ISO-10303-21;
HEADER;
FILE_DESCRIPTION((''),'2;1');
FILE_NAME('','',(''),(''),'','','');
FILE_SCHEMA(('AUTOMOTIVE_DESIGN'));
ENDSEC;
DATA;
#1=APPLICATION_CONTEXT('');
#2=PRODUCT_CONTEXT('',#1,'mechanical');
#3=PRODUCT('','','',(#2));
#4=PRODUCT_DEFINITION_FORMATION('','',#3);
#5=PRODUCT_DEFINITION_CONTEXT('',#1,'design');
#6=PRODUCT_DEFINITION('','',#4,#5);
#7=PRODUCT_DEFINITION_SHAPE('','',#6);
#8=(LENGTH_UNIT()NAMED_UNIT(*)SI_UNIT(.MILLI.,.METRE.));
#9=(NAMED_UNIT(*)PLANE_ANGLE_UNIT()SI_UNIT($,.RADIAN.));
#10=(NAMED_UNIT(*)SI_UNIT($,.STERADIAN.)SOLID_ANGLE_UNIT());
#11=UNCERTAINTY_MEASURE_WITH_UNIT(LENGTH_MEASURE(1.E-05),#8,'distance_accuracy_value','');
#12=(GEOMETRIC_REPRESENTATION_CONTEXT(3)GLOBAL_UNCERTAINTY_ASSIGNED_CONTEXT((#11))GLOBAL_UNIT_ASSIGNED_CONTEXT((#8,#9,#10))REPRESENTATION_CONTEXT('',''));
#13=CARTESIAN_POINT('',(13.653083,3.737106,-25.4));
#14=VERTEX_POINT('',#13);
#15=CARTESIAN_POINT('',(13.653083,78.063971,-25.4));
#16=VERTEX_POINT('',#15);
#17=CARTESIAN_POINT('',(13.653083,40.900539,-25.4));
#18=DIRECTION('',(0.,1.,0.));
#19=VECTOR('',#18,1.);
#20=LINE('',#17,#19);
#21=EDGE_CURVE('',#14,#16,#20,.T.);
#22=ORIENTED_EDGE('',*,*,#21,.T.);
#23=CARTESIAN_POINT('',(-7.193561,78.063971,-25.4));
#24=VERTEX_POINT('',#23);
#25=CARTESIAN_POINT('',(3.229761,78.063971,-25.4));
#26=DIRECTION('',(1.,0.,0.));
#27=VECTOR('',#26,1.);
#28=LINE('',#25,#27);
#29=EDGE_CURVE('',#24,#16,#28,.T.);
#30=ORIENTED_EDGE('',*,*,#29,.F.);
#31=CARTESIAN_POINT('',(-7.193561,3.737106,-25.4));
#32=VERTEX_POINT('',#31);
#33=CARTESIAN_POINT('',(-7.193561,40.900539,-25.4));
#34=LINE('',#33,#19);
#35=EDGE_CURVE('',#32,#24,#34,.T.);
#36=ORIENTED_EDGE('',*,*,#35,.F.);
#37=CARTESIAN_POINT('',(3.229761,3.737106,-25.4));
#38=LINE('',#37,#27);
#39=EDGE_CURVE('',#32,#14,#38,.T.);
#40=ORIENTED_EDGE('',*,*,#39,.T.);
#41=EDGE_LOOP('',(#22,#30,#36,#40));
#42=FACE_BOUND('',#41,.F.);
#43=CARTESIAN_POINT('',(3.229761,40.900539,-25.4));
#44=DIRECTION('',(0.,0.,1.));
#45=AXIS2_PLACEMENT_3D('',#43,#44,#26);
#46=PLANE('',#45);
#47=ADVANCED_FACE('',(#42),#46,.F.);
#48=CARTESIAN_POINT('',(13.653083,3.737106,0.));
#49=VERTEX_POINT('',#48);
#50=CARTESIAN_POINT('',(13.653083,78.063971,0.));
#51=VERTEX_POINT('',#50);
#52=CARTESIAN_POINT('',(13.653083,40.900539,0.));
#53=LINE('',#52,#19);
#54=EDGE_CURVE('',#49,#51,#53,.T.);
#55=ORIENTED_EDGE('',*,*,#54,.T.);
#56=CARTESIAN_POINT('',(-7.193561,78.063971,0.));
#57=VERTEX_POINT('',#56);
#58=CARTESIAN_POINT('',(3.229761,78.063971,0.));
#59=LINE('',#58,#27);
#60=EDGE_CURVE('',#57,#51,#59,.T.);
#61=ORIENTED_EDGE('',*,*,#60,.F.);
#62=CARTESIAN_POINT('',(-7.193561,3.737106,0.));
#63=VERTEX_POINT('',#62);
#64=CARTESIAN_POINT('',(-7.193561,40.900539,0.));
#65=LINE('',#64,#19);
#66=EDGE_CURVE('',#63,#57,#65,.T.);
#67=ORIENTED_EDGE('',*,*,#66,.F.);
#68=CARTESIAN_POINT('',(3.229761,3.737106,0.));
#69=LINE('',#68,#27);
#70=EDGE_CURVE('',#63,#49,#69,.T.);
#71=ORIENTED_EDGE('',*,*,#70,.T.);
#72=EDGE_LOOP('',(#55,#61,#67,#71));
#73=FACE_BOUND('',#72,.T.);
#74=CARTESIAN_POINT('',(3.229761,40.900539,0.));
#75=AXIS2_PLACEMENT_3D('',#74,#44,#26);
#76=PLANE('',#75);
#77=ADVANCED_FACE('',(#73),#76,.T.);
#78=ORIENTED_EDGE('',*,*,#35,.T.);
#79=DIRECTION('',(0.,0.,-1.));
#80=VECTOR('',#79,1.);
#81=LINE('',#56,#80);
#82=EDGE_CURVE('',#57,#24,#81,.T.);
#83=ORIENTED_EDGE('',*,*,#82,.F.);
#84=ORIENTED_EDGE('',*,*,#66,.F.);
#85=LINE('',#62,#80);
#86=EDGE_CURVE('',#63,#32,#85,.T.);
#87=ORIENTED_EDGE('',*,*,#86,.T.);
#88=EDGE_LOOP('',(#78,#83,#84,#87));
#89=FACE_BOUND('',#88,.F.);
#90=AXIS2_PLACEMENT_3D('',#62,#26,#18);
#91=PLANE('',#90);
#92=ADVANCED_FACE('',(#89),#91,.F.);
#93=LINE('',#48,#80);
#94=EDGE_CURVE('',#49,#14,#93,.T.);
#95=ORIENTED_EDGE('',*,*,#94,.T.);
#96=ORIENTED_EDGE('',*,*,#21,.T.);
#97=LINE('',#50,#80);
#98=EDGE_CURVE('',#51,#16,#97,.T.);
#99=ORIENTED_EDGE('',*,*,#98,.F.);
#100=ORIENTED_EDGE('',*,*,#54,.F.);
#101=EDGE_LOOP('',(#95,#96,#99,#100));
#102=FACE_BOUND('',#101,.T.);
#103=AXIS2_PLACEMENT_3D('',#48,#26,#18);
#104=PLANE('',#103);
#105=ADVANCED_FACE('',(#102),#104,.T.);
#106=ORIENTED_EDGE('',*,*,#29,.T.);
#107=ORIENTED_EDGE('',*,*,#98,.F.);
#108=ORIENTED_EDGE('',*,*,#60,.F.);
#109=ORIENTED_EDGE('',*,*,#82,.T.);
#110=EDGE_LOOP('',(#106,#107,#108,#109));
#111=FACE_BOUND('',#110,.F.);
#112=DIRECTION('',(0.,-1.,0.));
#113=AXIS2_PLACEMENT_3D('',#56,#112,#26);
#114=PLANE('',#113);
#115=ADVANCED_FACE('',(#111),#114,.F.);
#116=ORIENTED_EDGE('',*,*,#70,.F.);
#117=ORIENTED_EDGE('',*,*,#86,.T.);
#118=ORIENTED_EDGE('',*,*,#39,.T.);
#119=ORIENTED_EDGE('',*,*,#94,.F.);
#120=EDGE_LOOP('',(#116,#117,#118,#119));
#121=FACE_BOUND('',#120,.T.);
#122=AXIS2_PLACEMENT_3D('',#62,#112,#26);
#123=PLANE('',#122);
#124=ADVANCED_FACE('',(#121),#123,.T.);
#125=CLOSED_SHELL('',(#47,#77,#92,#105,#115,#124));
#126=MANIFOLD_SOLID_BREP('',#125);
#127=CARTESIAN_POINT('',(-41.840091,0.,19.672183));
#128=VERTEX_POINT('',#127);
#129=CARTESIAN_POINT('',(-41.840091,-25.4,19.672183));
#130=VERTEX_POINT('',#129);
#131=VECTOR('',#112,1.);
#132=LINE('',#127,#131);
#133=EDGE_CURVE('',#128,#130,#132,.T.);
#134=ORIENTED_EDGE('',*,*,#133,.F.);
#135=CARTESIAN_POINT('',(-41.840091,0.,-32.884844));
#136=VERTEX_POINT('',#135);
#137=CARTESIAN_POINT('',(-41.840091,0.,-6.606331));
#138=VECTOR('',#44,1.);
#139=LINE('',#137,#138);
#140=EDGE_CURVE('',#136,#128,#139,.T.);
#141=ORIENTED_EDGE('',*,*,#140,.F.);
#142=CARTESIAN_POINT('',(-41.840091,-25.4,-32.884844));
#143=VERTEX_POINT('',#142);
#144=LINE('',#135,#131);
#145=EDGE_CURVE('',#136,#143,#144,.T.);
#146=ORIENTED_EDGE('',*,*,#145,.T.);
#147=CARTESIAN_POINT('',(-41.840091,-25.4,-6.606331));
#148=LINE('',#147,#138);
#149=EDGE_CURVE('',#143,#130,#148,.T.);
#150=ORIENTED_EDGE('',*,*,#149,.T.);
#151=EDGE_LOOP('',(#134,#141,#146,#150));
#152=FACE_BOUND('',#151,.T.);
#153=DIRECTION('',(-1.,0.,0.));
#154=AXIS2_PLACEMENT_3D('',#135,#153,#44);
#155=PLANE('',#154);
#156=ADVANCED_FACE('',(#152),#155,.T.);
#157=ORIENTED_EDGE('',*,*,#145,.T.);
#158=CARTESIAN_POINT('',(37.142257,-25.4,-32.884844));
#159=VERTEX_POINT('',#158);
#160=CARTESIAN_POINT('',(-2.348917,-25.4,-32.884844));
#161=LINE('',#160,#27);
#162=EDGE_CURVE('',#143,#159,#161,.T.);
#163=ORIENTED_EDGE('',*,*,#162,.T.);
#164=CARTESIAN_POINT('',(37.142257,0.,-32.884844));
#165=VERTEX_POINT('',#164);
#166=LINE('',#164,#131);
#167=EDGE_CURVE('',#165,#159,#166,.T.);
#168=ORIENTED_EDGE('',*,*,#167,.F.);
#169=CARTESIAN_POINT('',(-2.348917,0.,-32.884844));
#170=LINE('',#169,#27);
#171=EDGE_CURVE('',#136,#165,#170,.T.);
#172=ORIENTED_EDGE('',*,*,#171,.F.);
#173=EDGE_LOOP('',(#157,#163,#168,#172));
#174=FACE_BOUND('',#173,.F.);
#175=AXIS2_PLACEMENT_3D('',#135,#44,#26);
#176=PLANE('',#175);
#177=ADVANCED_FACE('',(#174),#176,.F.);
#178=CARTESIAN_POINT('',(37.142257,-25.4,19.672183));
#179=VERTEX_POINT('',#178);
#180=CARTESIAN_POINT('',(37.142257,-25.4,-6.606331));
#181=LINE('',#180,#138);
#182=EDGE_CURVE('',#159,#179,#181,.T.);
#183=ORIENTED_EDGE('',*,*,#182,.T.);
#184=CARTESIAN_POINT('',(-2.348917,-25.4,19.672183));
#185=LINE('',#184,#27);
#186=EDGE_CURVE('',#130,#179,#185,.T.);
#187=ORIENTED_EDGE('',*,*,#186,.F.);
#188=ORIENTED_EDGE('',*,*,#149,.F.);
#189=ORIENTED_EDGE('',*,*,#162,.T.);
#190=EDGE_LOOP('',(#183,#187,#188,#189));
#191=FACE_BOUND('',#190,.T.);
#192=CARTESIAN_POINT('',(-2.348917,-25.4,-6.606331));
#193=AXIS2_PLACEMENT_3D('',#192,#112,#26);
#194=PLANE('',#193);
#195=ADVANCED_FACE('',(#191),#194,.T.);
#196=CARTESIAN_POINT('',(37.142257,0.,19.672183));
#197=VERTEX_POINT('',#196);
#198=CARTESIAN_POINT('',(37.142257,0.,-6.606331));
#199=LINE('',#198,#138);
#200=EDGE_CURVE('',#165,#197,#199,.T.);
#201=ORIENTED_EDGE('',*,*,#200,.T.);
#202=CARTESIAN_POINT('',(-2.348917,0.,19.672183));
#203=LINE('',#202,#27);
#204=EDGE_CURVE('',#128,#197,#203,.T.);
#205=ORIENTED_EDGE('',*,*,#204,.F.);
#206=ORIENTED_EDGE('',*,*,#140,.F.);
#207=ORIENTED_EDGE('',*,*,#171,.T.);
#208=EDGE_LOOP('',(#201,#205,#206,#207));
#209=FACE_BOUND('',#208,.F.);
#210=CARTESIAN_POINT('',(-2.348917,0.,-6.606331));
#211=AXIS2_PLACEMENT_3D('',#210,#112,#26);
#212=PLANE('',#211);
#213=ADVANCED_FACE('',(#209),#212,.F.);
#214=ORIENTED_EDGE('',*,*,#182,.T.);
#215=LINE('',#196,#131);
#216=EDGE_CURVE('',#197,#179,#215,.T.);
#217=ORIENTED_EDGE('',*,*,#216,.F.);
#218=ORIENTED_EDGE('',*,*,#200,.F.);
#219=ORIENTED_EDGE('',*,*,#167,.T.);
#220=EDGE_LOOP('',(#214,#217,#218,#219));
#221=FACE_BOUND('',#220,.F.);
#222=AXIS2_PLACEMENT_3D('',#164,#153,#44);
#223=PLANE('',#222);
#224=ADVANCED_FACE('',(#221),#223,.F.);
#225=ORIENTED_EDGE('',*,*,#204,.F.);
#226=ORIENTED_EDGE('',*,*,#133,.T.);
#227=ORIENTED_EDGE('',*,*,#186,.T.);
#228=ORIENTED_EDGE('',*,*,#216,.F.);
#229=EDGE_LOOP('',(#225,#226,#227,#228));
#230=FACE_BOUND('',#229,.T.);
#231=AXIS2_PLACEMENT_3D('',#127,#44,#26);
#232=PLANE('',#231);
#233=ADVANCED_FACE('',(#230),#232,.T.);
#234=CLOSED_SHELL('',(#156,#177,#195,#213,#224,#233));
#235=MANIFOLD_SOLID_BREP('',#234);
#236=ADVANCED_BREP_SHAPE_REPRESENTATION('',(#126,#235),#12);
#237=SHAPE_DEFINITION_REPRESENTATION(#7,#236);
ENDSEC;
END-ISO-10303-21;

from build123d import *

# Parameters (mm, degrees)
F0_W     = 78.982349
F0_H     = 52.557027
F1_DEPTH = 25.4
F2_W     = 20.846644
F2_H     = 74.326865
F3_DEPTH = 25.4


with BuildPart() as f1:
    # F0 (on Front) → F1 (new body)
    with BuildSketch(Plane.XZ):
        with Locations((-2.348917, -6.606331)):
            Rectangle(F0_W, F0_H)
    extrude(amount=F1_DEPTH)


with BuildPart() as f3:
    # F2 (on Top) → F3 (new body)
    with BuildSketch(Plane.XY):
        with Locations((3.229761, 40.900539)):
            Rectangle(F2_W, F2_H)
    extrude(amount=-F3_DEPTH)


solid = Compound([f1.part, f3.part])
